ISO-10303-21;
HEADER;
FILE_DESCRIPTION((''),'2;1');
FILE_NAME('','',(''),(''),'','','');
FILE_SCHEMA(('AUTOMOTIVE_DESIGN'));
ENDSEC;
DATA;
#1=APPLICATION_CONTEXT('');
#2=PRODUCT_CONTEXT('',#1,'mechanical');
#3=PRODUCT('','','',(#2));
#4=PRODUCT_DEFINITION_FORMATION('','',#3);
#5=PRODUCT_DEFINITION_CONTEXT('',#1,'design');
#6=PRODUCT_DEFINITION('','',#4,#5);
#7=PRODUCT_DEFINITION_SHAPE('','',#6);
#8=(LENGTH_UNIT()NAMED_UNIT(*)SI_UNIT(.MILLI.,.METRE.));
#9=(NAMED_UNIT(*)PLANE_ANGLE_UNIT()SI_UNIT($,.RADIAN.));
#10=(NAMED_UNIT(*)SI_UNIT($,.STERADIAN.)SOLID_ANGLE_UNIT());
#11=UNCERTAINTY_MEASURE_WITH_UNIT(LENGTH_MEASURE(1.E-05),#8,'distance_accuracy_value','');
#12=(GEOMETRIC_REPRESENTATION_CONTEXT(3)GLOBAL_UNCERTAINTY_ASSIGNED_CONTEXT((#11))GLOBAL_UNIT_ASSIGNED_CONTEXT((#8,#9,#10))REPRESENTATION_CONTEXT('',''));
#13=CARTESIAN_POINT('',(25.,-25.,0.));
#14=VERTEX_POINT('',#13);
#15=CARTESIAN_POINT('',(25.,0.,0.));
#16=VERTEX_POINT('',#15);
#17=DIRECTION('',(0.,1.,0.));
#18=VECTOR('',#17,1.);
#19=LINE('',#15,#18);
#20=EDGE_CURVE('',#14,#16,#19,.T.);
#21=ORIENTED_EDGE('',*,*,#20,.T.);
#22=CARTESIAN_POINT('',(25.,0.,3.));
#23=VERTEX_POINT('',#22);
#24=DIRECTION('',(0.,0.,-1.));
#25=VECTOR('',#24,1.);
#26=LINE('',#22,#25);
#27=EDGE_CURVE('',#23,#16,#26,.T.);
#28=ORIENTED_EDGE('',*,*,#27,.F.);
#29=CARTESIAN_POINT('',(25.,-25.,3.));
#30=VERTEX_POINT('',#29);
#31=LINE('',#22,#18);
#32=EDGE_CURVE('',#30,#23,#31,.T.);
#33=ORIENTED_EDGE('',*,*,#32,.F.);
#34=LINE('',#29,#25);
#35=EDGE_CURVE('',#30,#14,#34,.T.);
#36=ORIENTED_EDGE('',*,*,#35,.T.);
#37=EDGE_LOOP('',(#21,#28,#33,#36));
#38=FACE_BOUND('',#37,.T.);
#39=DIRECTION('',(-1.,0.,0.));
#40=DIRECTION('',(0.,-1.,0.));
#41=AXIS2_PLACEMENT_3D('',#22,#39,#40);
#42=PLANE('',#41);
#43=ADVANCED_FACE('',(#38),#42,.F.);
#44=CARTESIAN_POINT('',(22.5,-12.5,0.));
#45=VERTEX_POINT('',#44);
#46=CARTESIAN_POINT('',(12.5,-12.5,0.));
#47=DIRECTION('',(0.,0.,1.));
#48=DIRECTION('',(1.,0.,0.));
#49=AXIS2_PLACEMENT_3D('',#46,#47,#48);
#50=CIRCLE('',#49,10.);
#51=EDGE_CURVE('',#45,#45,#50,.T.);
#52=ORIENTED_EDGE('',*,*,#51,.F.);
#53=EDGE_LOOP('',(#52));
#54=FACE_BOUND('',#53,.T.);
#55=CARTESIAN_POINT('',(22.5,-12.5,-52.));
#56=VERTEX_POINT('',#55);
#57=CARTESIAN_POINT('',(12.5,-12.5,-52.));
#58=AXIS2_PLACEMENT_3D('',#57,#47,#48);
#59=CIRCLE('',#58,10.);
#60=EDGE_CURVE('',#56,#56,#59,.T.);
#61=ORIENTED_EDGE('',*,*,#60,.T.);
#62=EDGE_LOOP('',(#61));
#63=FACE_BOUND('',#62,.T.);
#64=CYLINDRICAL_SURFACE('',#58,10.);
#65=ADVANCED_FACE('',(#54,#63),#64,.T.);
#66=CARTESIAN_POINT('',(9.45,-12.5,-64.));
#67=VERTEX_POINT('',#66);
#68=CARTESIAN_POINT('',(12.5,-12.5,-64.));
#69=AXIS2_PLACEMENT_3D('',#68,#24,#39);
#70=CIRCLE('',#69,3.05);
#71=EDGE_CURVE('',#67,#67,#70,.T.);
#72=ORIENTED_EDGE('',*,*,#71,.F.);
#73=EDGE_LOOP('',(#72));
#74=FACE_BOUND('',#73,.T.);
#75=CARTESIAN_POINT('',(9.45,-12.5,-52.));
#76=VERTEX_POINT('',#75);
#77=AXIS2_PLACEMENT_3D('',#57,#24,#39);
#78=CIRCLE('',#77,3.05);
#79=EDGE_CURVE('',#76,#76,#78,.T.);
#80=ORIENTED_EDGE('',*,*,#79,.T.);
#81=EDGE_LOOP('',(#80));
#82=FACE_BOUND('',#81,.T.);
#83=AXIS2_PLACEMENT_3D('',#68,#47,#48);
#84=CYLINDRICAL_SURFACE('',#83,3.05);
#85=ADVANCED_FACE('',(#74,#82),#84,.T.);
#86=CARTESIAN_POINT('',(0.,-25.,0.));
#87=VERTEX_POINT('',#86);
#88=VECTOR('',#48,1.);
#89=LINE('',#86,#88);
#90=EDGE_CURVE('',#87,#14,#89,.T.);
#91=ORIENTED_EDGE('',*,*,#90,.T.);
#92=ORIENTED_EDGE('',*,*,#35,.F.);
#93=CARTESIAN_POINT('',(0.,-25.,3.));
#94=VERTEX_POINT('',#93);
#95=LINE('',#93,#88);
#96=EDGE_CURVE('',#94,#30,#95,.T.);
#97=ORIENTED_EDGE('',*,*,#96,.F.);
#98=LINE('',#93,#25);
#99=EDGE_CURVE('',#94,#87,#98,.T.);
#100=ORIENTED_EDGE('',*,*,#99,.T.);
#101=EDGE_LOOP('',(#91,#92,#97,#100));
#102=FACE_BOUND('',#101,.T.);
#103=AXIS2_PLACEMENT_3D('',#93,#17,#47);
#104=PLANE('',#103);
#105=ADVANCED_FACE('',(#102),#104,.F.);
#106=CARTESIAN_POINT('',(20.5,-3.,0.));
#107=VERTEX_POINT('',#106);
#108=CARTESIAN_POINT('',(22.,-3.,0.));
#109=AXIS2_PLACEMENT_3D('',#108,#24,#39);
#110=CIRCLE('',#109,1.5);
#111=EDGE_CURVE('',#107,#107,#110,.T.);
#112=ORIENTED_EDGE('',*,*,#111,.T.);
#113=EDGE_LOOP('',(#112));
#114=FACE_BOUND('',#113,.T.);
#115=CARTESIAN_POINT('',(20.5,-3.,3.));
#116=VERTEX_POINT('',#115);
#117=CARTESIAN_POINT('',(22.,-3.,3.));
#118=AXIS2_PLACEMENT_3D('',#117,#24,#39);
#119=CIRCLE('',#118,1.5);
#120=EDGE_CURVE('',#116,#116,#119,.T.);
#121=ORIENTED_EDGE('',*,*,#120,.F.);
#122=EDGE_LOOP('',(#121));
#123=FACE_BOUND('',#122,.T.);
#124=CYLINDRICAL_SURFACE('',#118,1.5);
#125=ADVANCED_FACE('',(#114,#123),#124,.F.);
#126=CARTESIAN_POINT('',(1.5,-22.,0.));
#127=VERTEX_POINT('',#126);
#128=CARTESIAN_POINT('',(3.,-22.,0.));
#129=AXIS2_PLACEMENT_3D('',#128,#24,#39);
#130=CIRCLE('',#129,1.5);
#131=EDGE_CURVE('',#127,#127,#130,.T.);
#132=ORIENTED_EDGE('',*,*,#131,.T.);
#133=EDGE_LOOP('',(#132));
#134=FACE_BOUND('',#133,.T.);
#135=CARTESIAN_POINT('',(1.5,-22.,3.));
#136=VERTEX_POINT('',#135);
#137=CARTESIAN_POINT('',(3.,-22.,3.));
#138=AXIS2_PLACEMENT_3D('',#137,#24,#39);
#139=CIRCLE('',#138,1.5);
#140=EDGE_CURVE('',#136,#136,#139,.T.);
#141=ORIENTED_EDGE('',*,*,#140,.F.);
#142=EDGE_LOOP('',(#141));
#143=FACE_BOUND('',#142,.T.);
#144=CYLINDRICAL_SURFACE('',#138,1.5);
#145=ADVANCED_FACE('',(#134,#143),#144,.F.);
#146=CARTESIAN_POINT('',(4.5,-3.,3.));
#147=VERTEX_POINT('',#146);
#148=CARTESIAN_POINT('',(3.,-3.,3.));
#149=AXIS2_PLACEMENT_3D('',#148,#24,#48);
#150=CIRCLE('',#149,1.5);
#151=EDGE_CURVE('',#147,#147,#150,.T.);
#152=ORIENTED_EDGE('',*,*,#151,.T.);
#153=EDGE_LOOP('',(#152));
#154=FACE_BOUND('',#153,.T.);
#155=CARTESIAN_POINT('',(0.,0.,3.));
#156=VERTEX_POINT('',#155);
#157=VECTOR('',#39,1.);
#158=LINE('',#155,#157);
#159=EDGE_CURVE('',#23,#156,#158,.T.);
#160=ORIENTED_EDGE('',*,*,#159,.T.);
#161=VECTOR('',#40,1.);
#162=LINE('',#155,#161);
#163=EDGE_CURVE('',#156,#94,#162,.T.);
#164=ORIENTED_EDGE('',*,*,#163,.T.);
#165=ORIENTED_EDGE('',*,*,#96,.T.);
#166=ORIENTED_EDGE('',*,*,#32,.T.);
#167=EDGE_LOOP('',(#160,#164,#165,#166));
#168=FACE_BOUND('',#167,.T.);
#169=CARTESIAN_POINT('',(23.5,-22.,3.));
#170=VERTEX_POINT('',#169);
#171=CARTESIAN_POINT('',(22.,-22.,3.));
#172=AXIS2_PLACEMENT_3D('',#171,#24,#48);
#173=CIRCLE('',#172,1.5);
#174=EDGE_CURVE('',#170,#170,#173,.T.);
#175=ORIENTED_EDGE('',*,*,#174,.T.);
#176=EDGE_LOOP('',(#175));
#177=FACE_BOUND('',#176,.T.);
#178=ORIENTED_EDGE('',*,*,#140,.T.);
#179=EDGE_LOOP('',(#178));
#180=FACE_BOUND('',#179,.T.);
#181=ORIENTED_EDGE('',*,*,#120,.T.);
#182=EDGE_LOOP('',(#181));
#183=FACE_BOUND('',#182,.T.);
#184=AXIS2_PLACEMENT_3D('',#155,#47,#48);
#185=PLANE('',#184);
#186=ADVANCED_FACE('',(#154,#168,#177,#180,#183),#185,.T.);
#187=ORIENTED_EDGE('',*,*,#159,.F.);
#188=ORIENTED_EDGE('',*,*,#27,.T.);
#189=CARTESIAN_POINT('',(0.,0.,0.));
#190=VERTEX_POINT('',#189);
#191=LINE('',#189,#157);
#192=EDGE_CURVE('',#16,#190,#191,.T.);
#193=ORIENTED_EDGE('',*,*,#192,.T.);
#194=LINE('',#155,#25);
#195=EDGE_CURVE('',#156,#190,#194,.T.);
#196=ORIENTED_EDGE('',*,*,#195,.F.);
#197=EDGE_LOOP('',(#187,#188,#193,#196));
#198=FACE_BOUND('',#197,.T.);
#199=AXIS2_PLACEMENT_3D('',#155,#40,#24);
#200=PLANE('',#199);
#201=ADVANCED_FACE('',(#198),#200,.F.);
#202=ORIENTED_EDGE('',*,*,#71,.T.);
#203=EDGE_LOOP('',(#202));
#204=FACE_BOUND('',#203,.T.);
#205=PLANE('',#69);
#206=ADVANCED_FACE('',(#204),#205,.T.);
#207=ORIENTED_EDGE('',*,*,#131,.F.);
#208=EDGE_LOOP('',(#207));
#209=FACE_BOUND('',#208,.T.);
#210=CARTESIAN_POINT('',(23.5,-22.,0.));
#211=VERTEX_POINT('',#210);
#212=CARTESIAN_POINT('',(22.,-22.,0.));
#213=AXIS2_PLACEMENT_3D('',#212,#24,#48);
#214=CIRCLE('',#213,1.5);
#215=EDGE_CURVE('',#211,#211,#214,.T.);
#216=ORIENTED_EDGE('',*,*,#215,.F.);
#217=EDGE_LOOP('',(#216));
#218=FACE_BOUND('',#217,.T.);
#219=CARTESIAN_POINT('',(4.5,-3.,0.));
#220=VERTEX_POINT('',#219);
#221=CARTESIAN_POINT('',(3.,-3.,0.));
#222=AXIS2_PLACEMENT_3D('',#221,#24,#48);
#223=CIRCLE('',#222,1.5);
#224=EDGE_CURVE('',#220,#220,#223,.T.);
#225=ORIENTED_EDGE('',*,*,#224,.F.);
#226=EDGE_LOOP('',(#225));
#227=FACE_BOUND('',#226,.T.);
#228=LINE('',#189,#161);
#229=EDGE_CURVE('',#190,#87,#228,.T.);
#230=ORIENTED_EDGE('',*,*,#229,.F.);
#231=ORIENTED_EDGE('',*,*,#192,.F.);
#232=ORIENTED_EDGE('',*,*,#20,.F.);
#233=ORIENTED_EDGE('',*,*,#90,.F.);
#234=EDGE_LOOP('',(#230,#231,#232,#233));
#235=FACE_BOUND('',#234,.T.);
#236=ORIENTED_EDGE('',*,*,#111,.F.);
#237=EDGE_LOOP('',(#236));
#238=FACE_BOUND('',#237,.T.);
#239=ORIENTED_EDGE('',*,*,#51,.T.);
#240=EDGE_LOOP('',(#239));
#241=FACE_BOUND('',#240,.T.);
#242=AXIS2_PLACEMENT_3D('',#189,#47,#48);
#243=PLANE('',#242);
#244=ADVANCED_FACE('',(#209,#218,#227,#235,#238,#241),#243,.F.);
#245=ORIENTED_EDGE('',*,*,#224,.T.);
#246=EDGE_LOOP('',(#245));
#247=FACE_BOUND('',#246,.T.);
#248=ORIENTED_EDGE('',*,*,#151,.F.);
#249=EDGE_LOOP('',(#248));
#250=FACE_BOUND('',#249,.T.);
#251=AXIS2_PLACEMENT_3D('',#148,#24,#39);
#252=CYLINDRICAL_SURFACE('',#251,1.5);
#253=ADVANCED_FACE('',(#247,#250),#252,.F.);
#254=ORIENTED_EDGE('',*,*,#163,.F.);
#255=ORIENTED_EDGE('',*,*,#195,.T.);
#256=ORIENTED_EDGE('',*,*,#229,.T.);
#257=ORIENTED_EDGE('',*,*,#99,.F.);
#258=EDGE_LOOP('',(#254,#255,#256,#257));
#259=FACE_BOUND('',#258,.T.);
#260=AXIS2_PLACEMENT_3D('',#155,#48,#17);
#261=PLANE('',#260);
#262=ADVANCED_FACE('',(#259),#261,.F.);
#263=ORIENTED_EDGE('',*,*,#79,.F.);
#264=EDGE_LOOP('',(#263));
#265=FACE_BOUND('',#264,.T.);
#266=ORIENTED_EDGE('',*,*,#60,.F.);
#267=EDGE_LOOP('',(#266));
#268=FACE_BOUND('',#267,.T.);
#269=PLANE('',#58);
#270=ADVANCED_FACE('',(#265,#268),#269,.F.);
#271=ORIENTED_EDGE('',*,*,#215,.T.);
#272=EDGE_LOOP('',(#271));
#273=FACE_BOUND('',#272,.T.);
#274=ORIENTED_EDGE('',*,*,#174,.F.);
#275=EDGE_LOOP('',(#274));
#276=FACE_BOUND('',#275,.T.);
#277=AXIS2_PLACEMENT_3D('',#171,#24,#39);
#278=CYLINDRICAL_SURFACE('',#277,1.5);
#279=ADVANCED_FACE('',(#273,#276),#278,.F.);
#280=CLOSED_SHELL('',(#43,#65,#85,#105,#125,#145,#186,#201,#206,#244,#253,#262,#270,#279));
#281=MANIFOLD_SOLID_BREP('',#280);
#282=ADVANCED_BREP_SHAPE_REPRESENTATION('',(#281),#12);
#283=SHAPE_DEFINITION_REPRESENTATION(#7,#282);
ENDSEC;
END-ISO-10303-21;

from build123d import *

# Parameters (mm, degrees)
SKETCH_2_W          = 25
SKETCH_2_H          = 25
EXTRUDE_1_DEPTH     = 3
SKETCH_3_R          = 1.5
CUT_EXTRUDE_2_DEPTH = 4
EXTRUDE_START       = -3
SKETCH_4_R          = 10
EXTRUDE_2_DEPTH     = 52
SKETCH_5_R          = 3.05
EXTRUDE_3_DEPTH     = 12


with BuildPart() as part:
    # 草图2 → 凸台-拉伸1 (new body)
    with BuildSketch(Plane.XY):
        with Locations((12.5, -12.5)):
            Rectangle(SKETCH_2_W, SKETCH_2_H)
    extrude(amount=EXTRUDE_1_DEPTH)

    # 草图3 → 切除-拉伸2 (cut, through all)
    with BuildSketch(Plane(origin=(0, 0, 0), x_dir=(-1, 0, 0), z_dir=(0, 0, -1))):
        with Locations((-22, -3)):
            Circle(SKETCH_3_R)
        with Locations((-3, -3)):
            Circle(SKETCH_3_R)
        with Locations((-3, -22)):
            Circle(SKETCH_3_R)
        with Locations((-22, -22)):
            Circle(SKETCH_3_R)
    extrude(amount=-CUT_EXTRUDE_2_DEPTH, mode=Mode.SUBTRACT)

    # 草图4 → 凸台-拉伸2 (add)
    with BuildSketch(Plane.XY.offset(3).offset(EXTRUDE_START)):
        with Locations((12.5, -12.5)):
            Circle(SKETCH_4_R)
    extrude(amount=-EXTRUDE_2_DEPTH)

    # 草图5 → 凸台-拉伸3 (add)
    with BuildSketch(Plane(origin=(0, 0, -52), x_dir=(-1, 0, 0), z_dir=(0, 0, -1))):
        with Locations((-12.5, -12.5)):
            Circle(SKETCH_5_R)
    extrude(amount=EXTRUDE_3_DEPTH)


solid = part.part
